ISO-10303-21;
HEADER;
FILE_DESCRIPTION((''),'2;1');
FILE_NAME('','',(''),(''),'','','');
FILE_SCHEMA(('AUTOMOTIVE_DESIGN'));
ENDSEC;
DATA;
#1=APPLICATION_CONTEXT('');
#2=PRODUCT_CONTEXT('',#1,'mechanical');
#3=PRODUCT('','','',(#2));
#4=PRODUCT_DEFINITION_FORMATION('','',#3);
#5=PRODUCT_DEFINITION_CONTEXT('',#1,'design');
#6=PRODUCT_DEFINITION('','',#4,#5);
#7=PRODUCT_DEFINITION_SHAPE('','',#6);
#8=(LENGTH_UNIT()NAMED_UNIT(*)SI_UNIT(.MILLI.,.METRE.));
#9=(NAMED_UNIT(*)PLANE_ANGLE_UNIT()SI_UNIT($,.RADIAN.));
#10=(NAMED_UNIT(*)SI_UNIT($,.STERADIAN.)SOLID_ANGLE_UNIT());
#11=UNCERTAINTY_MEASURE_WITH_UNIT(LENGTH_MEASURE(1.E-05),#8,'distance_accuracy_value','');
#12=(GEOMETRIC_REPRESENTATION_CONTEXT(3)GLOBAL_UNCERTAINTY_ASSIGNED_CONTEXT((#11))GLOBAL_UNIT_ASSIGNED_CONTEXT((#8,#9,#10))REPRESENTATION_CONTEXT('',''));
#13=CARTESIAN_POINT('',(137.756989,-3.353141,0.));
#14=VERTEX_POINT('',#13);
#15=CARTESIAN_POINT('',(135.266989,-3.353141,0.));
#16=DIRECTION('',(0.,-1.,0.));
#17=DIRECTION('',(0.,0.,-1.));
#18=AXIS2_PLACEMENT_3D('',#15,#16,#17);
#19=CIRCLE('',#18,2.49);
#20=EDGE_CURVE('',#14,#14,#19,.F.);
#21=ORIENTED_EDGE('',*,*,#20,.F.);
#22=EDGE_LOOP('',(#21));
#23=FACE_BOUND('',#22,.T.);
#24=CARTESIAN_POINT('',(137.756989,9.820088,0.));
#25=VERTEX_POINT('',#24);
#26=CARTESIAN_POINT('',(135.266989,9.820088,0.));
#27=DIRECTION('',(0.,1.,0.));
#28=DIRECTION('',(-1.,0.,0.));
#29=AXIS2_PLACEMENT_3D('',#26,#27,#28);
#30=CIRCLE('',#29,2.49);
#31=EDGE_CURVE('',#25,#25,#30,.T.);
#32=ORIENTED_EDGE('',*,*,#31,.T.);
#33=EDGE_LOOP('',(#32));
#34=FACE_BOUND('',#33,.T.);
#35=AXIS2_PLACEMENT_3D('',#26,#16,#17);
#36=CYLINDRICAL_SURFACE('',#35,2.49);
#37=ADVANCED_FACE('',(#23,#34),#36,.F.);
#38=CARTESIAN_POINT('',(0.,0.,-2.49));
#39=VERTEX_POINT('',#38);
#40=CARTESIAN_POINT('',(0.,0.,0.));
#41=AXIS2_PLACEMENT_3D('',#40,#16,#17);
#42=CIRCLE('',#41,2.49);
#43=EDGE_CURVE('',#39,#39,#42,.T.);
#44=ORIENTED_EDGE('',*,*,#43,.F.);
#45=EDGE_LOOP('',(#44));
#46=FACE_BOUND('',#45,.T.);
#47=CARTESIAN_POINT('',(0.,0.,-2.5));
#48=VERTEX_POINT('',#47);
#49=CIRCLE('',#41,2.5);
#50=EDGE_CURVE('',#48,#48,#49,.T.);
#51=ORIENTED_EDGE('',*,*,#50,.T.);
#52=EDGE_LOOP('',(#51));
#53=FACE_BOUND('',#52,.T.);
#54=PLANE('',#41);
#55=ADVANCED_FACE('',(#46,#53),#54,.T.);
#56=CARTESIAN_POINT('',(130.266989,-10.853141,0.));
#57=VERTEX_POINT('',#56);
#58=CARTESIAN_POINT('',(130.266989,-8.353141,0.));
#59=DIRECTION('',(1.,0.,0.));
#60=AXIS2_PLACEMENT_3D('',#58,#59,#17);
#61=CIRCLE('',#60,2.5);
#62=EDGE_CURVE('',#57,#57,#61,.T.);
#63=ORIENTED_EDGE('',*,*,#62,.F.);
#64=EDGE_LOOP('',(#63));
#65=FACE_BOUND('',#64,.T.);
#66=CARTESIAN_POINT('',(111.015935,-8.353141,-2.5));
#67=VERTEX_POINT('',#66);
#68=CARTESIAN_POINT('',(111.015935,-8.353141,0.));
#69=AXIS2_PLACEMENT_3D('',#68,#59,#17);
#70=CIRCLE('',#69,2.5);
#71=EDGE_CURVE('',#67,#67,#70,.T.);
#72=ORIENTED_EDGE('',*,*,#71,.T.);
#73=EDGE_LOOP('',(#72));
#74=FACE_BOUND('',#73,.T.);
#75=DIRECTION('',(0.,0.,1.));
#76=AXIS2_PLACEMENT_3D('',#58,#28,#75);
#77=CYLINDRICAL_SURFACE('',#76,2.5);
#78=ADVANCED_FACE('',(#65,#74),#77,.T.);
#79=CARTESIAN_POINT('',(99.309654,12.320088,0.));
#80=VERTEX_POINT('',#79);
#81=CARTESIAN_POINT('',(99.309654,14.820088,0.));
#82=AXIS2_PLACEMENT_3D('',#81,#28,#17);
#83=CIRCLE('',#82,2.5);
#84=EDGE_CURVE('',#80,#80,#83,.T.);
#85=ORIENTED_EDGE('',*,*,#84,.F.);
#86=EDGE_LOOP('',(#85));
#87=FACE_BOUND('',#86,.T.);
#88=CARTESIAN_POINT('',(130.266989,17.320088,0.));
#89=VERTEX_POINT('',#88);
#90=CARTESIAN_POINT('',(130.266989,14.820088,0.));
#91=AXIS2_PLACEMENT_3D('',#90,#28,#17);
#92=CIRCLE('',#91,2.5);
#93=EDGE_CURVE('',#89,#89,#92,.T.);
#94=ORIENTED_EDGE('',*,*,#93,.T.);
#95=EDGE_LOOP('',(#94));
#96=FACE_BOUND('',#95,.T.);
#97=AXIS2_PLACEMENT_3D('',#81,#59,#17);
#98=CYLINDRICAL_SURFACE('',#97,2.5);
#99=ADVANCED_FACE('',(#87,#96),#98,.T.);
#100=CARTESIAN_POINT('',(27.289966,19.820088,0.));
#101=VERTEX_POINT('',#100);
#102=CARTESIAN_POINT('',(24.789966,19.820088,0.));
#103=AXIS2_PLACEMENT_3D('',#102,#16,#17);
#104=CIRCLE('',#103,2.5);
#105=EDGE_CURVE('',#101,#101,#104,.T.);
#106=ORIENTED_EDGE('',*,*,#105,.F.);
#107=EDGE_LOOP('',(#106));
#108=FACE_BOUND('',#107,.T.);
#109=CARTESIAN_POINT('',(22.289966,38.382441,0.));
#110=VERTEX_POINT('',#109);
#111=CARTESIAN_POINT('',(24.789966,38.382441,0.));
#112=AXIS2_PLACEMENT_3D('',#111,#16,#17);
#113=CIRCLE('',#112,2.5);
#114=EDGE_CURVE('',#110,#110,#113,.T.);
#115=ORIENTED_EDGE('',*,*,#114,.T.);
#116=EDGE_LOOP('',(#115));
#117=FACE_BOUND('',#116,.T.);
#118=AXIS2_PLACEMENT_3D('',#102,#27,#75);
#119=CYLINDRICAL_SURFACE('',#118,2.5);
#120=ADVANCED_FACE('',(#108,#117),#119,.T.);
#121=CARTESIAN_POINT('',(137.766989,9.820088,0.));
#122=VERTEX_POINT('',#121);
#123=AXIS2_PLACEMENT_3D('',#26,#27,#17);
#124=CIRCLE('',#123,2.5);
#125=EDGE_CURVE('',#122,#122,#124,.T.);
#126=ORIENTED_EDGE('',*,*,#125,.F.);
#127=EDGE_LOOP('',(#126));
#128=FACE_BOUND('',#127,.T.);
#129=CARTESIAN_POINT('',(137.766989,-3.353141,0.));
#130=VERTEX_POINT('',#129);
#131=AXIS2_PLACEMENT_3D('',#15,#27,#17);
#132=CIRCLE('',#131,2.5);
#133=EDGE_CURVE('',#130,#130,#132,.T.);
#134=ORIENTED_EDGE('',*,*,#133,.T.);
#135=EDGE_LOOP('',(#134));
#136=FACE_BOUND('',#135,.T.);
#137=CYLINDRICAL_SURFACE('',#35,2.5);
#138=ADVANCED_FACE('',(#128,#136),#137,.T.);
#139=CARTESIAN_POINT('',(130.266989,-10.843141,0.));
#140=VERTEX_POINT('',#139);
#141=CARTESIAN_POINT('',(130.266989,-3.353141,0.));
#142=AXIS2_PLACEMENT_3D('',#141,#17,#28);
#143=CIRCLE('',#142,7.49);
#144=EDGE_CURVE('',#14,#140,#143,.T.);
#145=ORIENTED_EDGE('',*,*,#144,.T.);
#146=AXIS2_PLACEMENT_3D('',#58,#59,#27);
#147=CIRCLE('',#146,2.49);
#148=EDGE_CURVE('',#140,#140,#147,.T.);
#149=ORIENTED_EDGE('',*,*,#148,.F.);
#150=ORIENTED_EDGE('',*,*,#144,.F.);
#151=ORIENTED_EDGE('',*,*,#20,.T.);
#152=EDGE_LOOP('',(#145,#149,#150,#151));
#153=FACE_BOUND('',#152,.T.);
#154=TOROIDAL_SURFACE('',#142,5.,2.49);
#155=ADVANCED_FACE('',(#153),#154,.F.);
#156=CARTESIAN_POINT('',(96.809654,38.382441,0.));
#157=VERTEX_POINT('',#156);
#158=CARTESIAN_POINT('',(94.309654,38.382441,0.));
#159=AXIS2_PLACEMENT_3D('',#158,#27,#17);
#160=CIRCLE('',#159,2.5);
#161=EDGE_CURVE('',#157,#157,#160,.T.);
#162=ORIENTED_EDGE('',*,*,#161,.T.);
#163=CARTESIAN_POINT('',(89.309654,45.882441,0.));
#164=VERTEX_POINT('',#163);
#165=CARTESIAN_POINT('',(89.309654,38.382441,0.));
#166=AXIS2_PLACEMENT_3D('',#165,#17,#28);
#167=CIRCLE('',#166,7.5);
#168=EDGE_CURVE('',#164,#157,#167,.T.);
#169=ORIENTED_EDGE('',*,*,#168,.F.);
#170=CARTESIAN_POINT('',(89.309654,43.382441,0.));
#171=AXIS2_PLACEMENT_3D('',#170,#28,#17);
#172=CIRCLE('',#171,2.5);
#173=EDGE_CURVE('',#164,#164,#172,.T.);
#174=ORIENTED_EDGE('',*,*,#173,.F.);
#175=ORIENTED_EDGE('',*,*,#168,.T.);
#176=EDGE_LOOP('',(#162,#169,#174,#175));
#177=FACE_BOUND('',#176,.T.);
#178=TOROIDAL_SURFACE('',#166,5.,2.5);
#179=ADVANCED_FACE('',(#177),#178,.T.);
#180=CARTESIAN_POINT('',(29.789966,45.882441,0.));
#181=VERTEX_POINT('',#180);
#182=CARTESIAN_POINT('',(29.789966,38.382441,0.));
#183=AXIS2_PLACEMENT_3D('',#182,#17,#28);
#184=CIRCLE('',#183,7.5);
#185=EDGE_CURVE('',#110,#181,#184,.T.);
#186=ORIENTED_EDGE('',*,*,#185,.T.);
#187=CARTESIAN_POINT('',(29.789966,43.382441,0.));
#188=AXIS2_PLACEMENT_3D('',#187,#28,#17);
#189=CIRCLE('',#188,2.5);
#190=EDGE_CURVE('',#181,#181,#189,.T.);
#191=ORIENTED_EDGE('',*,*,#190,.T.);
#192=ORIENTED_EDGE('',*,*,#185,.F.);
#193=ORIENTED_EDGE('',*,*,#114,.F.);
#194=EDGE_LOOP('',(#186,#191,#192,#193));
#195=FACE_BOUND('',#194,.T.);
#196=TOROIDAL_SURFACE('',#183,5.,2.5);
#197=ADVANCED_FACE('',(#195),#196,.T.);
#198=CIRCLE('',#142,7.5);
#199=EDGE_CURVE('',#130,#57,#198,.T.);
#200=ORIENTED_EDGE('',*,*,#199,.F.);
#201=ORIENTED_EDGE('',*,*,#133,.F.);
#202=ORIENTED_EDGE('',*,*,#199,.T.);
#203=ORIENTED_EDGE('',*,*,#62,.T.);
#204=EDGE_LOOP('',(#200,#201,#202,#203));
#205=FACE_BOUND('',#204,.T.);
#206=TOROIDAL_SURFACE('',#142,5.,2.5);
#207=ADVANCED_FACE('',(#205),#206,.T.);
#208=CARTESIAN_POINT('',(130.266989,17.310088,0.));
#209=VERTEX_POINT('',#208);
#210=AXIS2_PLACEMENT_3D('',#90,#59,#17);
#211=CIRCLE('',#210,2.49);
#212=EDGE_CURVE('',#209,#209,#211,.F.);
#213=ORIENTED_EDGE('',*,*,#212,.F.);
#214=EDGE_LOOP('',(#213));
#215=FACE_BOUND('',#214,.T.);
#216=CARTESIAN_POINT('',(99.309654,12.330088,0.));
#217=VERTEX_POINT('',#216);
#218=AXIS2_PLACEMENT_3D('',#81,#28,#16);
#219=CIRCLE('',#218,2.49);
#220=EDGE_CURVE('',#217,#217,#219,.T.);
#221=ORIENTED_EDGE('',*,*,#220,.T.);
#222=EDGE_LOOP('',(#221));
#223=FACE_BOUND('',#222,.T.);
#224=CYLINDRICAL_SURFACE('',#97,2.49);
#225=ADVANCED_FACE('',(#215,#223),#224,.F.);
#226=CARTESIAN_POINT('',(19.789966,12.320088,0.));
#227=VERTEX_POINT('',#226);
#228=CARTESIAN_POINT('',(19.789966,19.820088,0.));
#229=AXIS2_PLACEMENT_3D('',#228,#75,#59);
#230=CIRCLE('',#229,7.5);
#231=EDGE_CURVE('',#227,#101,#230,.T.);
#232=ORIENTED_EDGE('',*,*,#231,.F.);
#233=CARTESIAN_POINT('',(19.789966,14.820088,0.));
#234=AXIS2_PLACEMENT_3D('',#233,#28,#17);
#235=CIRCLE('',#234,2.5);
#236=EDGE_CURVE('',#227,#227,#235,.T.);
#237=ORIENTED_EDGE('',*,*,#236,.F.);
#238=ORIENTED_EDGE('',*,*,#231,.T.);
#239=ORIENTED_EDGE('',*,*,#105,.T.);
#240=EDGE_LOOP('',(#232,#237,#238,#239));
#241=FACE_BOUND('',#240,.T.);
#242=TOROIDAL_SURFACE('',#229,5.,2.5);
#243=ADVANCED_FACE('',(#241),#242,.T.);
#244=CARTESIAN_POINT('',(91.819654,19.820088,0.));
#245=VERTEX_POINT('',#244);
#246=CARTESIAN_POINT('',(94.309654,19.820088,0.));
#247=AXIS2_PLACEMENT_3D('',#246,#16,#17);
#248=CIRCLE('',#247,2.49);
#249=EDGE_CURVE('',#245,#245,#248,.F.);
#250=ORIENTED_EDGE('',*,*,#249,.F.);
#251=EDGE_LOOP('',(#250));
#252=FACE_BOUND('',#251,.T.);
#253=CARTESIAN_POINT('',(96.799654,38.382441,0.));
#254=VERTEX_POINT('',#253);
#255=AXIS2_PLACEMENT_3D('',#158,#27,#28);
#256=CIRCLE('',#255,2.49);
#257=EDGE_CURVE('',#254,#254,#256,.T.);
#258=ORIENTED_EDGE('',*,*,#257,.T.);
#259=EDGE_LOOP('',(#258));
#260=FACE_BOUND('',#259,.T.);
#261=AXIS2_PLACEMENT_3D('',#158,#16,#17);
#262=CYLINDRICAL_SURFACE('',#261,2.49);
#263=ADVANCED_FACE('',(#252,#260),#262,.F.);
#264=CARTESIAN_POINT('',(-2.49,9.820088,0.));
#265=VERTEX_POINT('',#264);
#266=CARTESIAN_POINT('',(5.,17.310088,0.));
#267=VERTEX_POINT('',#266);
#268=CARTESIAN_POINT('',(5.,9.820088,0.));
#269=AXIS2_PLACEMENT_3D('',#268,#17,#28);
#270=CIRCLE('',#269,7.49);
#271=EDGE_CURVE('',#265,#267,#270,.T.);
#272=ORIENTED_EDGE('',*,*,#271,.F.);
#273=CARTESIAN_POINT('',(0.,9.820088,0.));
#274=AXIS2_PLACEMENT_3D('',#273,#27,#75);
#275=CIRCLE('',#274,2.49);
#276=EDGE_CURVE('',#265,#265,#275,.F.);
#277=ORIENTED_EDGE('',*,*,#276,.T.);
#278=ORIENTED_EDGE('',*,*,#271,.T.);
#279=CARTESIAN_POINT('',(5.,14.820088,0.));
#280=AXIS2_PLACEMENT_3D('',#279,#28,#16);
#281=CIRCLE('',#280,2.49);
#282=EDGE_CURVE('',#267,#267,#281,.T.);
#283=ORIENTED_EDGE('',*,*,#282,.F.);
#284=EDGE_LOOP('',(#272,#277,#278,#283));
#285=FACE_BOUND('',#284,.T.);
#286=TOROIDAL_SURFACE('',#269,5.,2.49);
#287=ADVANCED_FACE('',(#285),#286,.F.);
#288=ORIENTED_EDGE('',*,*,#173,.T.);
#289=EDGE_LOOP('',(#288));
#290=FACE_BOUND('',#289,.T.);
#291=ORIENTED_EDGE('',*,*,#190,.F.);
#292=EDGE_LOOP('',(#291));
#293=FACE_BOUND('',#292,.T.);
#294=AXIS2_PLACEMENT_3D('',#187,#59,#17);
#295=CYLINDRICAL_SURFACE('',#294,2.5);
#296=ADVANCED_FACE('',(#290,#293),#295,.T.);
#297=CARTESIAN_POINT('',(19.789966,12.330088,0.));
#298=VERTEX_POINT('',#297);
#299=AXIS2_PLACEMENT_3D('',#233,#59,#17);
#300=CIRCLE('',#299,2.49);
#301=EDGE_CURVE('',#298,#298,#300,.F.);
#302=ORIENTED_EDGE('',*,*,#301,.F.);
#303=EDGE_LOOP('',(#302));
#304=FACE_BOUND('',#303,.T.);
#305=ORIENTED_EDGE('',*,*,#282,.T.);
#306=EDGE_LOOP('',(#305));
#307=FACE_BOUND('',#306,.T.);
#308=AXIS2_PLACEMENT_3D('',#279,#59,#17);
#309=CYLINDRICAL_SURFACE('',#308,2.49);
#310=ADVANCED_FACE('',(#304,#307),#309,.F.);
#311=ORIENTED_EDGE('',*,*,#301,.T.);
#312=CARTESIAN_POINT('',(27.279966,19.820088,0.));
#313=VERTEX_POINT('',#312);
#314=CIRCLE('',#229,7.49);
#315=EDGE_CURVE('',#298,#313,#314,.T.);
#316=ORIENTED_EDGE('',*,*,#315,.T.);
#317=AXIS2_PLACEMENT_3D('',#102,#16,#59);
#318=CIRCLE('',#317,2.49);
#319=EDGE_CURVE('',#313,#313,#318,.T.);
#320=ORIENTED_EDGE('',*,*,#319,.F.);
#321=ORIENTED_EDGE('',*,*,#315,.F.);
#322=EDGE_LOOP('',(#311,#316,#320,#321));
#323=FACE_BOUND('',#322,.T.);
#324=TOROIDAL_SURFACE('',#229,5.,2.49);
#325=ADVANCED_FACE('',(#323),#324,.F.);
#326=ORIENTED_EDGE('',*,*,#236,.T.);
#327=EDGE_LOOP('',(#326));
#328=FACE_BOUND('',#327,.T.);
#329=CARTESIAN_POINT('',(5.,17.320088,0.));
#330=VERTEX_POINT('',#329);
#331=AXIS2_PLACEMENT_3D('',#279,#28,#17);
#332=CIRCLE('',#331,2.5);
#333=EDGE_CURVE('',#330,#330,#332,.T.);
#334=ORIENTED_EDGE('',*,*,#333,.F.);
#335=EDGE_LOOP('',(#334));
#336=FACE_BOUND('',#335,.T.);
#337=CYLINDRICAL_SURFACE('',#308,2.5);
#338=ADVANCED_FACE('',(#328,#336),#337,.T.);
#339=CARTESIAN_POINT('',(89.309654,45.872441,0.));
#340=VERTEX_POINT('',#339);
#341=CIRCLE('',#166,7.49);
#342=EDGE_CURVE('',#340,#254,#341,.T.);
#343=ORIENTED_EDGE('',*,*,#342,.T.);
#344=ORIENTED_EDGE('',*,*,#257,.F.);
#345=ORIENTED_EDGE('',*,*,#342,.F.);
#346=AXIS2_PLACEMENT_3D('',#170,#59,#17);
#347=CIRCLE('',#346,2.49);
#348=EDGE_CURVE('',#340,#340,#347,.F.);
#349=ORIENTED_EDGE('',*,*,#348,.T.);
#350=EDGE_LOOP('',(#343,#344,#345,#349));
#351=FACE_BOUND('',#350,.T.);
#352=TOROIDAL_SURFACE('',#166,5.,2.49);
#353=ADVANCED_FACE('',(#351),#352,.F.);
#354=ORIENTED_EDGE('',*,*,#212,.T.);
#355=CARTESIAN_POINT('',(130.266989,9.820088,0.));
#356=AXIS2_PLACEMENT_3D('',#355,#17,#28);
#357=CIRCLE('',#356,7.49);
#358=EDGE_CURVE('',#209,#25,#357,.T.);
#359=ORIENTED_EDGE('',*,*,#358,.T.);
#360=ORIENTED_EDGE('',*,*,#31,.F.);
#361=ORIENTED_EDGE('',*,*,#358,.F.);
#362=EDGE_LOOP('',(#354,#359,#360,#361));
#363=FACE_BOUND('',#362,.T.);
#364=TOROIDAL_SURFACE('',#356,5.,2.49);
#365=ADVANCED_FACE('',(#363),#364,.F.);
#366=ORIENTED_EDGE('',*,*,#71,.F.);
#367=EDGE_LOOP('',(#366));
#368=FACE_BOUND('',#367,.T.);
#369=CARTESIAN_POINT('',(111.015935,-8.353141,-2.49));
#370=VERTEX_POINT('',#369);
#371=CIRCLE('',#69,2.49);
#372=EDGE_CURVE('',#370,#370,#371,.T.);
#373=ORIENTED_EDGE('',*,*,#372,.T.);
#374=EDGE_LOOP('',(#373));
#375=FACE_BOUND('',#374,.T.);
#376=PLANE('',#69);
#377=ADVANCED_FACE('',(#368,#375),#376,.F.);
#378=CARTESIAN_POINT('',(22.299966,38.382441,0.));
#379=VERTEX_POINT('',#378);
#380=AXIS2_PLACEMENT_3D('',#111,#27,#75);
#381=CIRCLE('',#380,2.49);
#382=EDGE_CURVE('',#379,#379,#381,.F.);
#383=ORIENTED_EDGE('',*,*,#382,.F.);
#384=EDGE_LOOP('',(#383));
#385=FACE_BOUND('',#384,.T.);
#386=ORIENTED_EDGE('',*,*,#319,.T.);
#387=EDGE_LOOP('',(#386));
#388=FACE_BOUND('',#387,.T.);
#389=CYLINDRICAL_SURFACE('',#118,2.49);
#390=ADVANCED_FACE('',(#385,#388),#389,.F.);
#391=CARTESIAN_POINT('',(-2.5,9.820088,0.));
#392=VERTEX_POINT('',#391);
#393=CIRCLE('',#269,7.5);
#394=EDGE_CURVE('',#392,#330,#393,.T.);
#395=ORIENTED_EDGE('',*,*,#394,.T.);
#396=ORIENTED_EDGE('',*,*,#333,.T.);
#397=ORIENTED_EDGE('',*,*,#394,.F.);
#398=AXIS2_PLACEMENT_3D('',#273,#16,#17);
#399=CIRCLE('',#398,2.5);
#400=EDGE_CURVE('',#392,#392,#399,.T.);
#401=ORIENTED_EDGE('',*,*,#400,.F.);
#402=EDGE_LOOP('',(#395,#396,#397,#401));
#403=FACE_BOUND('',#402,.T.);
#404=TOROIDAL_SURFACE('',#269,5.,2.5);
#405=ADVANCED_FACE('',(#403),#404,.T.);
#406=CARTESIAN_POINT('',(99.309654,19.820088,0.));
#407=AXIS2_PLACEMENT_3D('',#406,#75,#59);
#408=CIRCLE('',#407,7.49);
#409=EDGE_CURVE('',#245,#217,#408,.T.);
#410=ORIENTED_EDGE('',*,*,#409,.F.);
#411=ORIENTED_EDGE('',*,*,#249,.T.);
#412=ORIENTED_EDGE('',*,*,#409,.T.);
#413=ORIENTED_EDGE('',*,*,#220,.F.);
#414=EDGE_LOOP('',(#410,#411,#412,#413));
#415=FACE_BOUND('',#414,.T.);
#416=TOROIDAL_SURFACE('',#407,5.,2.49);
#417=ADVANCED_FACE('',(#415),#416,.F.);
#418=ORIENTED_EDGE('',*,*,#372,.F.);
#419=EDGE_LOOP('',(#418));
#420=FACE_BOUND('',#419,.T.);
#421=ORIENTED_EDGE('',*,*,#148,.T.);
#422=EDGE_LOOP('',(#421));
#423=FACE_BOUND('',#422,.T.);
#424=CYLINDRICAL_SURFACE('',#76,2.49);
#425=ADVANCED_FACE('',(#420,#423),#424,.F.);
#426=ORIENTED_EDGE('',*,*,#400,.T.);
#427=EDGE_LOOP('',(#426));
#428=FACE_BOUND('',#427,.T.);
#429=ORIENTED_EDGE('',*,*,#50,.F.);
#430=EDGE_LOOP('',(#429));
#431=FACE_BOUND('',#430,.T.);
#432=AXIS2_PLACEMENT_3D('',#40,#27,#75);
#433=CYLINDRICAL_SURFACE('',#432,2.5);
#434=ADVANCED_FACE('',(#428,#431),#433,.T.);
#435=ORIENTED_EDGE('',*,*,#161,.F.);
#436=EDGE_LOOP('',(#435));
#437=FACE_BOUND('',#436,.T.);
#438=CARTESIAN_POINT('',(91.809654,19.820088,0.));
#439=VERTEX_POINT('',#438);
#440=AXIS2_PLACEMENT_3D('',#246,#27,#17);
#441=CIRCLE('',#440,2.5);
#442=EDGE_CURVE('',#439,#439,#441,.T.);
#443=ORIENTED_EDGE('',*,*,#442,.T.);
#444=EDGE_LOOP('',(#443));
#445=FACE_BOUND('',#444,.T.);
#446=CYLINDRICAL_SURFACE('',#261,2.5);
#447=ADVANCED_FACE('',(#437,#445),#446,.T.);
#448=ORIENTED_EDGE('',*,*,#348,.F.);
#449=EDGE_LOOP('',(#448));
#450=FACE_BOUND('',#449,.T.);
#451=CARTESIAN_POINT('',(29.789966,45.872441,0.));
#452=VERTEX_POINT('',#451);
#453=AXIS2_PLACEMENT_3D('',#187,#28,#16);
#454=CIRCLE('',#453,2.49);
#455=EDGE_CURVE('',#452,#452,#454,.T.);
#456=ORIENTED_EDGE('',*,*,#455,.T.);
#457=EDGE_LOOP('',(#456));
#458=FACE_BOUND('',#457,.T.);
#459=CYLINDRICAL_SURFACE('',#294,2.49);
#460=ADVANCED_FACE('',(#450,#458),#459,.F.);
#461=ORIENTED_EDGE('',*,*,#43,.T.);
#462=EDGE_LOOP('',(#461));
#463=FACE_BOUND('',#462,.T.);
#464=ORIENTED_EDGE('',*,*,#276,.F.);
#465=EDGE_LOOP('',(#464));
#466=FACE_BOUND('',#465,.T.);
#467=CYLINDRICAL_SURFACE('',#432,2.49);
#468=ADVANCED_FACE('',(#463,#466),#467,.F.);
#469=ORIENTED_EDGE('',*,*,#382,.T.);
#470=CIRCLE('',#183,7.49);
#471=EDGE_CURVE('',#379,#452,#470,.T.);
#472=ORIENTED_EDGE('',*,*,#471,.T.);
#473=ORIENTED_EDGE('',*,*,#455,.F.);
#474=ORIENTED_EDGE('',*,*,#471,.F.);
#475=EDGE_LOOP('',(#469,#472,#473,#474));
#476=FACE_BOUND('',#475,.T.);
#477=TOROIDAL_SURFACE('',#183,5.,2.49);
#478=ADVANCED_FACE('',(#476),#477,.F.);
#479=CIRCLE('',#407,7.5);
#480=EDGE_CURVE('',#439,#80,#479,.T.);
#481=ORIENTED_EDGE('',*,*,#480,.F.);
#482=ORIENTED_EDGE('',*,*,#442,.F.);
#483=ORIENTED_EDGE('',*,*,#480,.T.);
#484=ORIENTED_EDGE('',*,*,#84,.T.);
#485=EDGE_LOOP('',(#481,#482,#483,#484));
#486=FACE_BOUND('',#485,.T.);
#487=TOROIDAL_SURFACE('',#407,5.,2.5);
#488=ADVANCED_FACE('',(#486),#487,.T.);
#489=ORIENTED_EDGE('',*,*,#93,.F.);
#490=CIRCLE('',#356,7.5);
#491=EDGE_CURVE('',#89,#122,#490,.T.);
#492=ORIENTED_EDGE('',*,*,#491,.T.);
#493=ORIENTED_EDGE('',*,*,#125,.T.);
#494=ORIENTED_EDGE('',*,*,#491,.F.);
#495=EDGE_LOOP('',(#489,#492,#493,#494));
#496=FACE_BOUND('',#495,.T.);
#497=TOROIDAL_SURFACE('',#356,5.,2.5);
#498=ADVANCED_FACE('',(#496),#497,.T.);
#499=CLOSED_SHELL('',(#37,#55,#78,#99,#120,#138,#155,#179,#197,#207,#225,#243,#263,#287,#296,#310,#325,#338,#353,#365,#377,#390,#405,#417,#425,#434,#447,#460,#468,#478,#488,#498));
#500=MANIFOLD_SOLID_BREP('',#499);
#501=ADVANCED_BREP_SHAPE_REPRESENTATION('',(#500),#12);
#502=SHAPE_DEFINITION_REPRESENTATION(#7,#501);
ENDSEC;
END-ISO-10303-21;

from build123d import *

# Parameters (mm, degrees)
BARRER4_PROFILE_R = 2.5
VACIADO2_T        = -0.01


with BuildPart() as part:
    # Barrer4: sweep along a path in Croquis1
    with BuildLine(Plane.XY) as barrer4_path:
        Line((0, 0), (0, 9.820088473))
        ThreePointArc((0, 9.820088473), (1.464466094, 13.355622378), (5, 14.820088473))
        Line((5, 14.820088473), (19.789966172, 14.820088473))
        ThreePointArc((19.789966172, 14.820088473), (23.325500078, 16.284554567), (24.789966172, 19.820088473))
        Line((24.789966172, 19.820088473), (24.789966172, 38.382440801))
        ThreePointArc((24.789966172, 38.382440801), (26.254432266, 41.917974707), (29.789966172, 43.382440801))
        Line((29.789966172, 43.382440801), (89.309653916, 43.382440801))
        ThreePointArc((89.309653916, 43.382440801), (92.845187822, 41.917974707), (94.309653916, 38.382440801))
        Line((94.309653916, 38.382440801), (94.309653916, 19.820088473))
        ThreePointArc((94.309653916, 19.820088473), (95.77412001, 16.284554567), (99.309653916, 14.820088473))
        Line((99.309653916, 14.820088473), (130.266989331, 14.820088473))
        ThreePointArc((130.266989331, 14.820088473), (133.802523237, 13.355622378), (135.266989331, 9.820088473))
        Line((135.266989331, 9.820088473), (135.266989331, -3.353140775))
        ThreePointArc((135.266989331, -3.353140775), (133.802523237, -6.888674681), (130.266989331, -8.353140775))
        Line((130.266989331, -8.353140775), (111.015935467, -8.353140775))
    # Barrer4 profile (on start of the path) → Barrer4 (sweep)
    with BuildSketch(Plane.ZX):
        Circle(BARRER4_PROFILE_R)
    sweep(path=barrer4_path.line)

    # Vaciado2
    vaciado2_openings = [part.faces().sort_by_distance(p)[0] for p in [
        (111.015935467, -8.353140775, 0),
        (0, 0, 0),
    ]]
    offset(amount=VACIADO2_T, openings=vaciado2_openings, kind=Kind.INTERSECTION)


solid = part.part
